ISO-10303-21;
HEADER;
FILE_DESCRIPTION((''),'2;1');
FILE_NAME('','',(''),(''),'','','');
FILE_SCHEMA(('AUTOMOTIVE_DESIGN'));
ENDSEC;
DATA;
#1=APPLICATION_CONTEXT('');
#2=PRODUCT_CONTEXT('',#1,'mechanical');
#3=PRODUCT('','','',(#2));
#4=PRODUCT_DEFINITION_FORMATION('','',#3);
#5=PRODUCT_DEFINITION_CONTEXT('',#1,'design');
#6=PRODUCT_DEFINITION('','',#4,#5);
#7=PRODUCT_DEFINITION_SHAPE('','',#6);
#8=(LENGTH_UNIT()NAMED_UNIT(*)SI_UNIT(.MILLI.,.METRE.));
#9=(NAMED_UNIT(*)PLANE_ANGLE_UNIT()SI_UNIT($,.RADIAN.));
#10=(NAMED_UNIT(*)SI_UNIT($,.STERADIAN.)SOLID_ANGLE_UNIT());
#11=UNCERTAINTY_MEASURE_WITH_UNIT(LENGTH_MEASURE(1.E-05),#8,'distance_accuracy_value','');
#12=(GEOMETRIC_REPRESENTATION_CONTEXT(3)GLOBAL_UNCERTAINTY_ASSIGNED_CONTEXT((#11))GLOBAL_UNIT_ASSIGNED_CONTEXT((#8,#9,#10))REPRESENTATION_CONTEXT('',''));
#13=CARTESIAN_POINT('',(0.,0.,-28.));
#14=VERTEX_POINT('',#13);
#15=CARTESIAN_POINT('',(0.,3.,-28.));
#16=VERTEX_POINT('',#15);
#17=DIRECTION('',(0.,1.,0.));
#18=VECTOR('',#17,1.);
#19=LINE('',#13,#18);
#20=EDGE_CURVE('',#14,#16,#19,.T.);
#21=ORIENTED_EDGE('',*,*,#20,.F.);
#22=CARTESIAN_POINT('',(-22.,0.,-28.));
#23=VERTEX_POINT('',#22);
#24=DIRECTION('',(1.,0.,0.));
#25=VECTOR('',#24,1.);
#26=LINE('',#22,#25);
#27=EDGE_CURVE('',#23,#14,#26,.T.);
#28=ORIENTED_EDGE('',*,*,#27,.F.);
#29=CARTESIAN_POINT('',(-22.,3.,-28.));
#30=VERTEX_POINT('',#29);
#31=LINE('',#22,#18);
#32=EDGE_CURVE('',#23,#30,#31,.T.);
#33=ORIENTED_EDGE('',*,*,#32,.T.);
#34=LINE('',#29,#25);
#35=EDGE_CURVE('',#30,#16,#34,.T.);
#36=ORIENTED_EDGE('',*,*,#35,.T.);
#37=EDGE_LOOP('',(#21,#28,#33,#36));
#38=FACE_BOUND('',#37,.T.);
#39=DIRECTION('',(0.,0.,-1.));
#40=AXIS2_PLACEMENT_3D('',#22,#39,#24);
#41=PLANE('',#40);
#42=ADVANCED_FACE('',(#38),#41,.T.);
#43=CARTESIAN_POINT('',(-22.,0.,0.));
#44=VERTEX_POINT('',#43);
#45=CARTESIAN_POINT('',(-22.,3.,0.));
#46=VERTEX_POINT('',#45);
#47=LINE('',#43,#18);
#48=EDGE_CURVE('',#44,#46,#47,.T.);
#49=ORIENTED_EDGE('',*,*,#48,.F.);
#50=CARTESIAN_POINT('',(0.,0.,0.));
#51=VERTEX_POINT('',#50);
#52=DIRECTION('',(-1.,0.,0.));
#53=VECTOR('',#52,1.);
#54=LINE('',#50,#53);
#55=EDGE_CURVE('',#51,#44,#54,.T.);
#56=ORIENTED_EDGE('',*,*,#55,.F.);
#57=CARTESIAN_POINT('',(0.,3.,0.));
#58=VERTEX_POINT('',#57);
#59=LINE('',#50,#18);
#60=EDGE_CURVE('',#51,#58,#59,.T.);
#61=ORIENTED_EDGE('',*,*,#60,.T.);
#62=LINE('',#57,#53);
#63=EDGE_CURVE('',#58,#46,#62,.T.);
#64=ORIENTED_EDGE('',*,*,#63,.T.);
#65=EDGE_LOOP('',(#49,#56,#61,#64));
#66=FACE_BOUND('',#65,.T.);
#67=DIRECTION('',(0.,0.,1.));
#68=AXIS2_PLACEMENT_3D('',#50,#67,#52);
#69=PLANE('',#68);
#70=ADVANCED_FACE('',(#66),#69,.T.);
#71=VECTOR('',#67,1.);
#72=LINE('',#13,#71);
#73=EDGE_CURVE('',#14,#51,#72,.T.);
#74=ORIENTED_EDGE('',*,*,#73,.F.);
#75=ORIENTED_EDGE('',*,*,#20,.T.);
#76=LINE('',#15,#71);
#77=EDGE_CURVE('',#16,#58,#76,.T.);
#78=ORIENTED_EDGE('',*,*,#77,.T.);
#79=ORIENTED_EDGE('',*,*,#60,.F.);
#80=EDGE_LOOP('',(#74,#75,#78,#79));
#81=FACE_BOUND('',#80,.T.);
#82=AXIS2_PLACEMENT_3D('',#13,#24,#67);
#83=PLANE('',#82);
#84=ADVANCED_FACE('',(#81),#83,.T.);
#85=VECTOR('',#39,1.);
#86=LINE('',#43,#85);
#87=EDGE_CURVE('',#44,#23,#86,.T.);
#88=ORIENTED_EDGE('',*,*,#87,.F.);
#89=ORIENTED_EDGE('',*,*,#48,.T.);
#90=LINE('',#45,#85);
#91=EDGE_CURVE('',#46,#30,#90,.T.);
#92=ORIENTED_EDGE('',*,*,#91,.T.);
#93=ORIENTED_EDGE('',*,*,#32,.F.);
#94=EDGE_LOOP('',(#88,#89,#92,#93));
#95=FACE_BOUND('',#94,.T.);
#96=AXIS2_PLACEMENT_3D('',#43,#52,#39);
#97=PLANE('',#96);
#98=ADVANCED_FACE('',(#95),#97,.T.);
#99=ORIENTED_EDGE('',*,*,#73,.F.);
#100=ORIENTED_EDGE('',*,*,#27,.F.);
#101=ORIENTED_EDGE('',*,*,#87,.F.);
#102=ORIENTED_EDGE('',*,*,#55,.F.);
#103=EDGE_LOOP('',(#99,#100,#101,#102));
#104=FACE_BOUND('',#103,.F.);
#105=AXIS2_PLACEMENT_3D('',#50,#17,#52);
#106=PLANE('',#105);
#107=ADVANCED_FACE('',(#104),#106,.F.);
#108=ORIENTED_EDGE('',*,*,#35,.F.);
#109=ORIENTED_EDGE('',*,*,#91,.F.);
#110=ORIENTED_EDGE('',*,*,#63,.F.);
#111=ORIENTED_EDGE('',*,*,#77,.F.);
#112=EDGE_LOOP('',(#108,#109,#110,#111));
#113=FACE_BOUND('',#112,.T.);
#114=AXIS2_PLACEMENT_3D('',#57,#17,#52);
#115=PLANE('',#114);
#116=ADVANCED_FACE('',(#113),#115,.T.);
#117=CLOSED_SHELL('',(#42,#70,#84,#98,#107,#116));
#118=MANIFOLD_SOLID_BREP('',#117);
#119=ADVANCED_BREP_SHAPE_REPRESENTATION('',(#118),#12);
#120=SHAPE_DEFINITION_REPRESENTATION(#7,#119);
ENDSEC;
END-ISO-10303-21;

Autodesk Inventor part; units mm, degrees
ref_plane "YZ Plane" through (0, 0, 0) normal (1, 0, 0) x (0, 1, 0)
ref_plane "XZ Plane" through (0, 0, 0) normal (0, 1, 0) x (-1, 0, 0)
ref_plane "XY Plane" through (0, 0, 0) normal (0, 0, 1) x (1, 0, 0)
sketch "草圖1" plane through (0, 0, 0) normal (0, 1, 0) x (-1, 0, 0)
  line L0 (0, 0) -> (22, 0)
  line L1 (22, 0) -> (22, -28)
  line L2 (22, -28) -> (0, -28)
  line L3 (0, -28) -> (0, 0)
  dimension "d0" = 28
  dimension "d1" = 22
extrude "擠出1" add sketch "草圖1" along normal blind 3
properties part number "encoder_wall"
